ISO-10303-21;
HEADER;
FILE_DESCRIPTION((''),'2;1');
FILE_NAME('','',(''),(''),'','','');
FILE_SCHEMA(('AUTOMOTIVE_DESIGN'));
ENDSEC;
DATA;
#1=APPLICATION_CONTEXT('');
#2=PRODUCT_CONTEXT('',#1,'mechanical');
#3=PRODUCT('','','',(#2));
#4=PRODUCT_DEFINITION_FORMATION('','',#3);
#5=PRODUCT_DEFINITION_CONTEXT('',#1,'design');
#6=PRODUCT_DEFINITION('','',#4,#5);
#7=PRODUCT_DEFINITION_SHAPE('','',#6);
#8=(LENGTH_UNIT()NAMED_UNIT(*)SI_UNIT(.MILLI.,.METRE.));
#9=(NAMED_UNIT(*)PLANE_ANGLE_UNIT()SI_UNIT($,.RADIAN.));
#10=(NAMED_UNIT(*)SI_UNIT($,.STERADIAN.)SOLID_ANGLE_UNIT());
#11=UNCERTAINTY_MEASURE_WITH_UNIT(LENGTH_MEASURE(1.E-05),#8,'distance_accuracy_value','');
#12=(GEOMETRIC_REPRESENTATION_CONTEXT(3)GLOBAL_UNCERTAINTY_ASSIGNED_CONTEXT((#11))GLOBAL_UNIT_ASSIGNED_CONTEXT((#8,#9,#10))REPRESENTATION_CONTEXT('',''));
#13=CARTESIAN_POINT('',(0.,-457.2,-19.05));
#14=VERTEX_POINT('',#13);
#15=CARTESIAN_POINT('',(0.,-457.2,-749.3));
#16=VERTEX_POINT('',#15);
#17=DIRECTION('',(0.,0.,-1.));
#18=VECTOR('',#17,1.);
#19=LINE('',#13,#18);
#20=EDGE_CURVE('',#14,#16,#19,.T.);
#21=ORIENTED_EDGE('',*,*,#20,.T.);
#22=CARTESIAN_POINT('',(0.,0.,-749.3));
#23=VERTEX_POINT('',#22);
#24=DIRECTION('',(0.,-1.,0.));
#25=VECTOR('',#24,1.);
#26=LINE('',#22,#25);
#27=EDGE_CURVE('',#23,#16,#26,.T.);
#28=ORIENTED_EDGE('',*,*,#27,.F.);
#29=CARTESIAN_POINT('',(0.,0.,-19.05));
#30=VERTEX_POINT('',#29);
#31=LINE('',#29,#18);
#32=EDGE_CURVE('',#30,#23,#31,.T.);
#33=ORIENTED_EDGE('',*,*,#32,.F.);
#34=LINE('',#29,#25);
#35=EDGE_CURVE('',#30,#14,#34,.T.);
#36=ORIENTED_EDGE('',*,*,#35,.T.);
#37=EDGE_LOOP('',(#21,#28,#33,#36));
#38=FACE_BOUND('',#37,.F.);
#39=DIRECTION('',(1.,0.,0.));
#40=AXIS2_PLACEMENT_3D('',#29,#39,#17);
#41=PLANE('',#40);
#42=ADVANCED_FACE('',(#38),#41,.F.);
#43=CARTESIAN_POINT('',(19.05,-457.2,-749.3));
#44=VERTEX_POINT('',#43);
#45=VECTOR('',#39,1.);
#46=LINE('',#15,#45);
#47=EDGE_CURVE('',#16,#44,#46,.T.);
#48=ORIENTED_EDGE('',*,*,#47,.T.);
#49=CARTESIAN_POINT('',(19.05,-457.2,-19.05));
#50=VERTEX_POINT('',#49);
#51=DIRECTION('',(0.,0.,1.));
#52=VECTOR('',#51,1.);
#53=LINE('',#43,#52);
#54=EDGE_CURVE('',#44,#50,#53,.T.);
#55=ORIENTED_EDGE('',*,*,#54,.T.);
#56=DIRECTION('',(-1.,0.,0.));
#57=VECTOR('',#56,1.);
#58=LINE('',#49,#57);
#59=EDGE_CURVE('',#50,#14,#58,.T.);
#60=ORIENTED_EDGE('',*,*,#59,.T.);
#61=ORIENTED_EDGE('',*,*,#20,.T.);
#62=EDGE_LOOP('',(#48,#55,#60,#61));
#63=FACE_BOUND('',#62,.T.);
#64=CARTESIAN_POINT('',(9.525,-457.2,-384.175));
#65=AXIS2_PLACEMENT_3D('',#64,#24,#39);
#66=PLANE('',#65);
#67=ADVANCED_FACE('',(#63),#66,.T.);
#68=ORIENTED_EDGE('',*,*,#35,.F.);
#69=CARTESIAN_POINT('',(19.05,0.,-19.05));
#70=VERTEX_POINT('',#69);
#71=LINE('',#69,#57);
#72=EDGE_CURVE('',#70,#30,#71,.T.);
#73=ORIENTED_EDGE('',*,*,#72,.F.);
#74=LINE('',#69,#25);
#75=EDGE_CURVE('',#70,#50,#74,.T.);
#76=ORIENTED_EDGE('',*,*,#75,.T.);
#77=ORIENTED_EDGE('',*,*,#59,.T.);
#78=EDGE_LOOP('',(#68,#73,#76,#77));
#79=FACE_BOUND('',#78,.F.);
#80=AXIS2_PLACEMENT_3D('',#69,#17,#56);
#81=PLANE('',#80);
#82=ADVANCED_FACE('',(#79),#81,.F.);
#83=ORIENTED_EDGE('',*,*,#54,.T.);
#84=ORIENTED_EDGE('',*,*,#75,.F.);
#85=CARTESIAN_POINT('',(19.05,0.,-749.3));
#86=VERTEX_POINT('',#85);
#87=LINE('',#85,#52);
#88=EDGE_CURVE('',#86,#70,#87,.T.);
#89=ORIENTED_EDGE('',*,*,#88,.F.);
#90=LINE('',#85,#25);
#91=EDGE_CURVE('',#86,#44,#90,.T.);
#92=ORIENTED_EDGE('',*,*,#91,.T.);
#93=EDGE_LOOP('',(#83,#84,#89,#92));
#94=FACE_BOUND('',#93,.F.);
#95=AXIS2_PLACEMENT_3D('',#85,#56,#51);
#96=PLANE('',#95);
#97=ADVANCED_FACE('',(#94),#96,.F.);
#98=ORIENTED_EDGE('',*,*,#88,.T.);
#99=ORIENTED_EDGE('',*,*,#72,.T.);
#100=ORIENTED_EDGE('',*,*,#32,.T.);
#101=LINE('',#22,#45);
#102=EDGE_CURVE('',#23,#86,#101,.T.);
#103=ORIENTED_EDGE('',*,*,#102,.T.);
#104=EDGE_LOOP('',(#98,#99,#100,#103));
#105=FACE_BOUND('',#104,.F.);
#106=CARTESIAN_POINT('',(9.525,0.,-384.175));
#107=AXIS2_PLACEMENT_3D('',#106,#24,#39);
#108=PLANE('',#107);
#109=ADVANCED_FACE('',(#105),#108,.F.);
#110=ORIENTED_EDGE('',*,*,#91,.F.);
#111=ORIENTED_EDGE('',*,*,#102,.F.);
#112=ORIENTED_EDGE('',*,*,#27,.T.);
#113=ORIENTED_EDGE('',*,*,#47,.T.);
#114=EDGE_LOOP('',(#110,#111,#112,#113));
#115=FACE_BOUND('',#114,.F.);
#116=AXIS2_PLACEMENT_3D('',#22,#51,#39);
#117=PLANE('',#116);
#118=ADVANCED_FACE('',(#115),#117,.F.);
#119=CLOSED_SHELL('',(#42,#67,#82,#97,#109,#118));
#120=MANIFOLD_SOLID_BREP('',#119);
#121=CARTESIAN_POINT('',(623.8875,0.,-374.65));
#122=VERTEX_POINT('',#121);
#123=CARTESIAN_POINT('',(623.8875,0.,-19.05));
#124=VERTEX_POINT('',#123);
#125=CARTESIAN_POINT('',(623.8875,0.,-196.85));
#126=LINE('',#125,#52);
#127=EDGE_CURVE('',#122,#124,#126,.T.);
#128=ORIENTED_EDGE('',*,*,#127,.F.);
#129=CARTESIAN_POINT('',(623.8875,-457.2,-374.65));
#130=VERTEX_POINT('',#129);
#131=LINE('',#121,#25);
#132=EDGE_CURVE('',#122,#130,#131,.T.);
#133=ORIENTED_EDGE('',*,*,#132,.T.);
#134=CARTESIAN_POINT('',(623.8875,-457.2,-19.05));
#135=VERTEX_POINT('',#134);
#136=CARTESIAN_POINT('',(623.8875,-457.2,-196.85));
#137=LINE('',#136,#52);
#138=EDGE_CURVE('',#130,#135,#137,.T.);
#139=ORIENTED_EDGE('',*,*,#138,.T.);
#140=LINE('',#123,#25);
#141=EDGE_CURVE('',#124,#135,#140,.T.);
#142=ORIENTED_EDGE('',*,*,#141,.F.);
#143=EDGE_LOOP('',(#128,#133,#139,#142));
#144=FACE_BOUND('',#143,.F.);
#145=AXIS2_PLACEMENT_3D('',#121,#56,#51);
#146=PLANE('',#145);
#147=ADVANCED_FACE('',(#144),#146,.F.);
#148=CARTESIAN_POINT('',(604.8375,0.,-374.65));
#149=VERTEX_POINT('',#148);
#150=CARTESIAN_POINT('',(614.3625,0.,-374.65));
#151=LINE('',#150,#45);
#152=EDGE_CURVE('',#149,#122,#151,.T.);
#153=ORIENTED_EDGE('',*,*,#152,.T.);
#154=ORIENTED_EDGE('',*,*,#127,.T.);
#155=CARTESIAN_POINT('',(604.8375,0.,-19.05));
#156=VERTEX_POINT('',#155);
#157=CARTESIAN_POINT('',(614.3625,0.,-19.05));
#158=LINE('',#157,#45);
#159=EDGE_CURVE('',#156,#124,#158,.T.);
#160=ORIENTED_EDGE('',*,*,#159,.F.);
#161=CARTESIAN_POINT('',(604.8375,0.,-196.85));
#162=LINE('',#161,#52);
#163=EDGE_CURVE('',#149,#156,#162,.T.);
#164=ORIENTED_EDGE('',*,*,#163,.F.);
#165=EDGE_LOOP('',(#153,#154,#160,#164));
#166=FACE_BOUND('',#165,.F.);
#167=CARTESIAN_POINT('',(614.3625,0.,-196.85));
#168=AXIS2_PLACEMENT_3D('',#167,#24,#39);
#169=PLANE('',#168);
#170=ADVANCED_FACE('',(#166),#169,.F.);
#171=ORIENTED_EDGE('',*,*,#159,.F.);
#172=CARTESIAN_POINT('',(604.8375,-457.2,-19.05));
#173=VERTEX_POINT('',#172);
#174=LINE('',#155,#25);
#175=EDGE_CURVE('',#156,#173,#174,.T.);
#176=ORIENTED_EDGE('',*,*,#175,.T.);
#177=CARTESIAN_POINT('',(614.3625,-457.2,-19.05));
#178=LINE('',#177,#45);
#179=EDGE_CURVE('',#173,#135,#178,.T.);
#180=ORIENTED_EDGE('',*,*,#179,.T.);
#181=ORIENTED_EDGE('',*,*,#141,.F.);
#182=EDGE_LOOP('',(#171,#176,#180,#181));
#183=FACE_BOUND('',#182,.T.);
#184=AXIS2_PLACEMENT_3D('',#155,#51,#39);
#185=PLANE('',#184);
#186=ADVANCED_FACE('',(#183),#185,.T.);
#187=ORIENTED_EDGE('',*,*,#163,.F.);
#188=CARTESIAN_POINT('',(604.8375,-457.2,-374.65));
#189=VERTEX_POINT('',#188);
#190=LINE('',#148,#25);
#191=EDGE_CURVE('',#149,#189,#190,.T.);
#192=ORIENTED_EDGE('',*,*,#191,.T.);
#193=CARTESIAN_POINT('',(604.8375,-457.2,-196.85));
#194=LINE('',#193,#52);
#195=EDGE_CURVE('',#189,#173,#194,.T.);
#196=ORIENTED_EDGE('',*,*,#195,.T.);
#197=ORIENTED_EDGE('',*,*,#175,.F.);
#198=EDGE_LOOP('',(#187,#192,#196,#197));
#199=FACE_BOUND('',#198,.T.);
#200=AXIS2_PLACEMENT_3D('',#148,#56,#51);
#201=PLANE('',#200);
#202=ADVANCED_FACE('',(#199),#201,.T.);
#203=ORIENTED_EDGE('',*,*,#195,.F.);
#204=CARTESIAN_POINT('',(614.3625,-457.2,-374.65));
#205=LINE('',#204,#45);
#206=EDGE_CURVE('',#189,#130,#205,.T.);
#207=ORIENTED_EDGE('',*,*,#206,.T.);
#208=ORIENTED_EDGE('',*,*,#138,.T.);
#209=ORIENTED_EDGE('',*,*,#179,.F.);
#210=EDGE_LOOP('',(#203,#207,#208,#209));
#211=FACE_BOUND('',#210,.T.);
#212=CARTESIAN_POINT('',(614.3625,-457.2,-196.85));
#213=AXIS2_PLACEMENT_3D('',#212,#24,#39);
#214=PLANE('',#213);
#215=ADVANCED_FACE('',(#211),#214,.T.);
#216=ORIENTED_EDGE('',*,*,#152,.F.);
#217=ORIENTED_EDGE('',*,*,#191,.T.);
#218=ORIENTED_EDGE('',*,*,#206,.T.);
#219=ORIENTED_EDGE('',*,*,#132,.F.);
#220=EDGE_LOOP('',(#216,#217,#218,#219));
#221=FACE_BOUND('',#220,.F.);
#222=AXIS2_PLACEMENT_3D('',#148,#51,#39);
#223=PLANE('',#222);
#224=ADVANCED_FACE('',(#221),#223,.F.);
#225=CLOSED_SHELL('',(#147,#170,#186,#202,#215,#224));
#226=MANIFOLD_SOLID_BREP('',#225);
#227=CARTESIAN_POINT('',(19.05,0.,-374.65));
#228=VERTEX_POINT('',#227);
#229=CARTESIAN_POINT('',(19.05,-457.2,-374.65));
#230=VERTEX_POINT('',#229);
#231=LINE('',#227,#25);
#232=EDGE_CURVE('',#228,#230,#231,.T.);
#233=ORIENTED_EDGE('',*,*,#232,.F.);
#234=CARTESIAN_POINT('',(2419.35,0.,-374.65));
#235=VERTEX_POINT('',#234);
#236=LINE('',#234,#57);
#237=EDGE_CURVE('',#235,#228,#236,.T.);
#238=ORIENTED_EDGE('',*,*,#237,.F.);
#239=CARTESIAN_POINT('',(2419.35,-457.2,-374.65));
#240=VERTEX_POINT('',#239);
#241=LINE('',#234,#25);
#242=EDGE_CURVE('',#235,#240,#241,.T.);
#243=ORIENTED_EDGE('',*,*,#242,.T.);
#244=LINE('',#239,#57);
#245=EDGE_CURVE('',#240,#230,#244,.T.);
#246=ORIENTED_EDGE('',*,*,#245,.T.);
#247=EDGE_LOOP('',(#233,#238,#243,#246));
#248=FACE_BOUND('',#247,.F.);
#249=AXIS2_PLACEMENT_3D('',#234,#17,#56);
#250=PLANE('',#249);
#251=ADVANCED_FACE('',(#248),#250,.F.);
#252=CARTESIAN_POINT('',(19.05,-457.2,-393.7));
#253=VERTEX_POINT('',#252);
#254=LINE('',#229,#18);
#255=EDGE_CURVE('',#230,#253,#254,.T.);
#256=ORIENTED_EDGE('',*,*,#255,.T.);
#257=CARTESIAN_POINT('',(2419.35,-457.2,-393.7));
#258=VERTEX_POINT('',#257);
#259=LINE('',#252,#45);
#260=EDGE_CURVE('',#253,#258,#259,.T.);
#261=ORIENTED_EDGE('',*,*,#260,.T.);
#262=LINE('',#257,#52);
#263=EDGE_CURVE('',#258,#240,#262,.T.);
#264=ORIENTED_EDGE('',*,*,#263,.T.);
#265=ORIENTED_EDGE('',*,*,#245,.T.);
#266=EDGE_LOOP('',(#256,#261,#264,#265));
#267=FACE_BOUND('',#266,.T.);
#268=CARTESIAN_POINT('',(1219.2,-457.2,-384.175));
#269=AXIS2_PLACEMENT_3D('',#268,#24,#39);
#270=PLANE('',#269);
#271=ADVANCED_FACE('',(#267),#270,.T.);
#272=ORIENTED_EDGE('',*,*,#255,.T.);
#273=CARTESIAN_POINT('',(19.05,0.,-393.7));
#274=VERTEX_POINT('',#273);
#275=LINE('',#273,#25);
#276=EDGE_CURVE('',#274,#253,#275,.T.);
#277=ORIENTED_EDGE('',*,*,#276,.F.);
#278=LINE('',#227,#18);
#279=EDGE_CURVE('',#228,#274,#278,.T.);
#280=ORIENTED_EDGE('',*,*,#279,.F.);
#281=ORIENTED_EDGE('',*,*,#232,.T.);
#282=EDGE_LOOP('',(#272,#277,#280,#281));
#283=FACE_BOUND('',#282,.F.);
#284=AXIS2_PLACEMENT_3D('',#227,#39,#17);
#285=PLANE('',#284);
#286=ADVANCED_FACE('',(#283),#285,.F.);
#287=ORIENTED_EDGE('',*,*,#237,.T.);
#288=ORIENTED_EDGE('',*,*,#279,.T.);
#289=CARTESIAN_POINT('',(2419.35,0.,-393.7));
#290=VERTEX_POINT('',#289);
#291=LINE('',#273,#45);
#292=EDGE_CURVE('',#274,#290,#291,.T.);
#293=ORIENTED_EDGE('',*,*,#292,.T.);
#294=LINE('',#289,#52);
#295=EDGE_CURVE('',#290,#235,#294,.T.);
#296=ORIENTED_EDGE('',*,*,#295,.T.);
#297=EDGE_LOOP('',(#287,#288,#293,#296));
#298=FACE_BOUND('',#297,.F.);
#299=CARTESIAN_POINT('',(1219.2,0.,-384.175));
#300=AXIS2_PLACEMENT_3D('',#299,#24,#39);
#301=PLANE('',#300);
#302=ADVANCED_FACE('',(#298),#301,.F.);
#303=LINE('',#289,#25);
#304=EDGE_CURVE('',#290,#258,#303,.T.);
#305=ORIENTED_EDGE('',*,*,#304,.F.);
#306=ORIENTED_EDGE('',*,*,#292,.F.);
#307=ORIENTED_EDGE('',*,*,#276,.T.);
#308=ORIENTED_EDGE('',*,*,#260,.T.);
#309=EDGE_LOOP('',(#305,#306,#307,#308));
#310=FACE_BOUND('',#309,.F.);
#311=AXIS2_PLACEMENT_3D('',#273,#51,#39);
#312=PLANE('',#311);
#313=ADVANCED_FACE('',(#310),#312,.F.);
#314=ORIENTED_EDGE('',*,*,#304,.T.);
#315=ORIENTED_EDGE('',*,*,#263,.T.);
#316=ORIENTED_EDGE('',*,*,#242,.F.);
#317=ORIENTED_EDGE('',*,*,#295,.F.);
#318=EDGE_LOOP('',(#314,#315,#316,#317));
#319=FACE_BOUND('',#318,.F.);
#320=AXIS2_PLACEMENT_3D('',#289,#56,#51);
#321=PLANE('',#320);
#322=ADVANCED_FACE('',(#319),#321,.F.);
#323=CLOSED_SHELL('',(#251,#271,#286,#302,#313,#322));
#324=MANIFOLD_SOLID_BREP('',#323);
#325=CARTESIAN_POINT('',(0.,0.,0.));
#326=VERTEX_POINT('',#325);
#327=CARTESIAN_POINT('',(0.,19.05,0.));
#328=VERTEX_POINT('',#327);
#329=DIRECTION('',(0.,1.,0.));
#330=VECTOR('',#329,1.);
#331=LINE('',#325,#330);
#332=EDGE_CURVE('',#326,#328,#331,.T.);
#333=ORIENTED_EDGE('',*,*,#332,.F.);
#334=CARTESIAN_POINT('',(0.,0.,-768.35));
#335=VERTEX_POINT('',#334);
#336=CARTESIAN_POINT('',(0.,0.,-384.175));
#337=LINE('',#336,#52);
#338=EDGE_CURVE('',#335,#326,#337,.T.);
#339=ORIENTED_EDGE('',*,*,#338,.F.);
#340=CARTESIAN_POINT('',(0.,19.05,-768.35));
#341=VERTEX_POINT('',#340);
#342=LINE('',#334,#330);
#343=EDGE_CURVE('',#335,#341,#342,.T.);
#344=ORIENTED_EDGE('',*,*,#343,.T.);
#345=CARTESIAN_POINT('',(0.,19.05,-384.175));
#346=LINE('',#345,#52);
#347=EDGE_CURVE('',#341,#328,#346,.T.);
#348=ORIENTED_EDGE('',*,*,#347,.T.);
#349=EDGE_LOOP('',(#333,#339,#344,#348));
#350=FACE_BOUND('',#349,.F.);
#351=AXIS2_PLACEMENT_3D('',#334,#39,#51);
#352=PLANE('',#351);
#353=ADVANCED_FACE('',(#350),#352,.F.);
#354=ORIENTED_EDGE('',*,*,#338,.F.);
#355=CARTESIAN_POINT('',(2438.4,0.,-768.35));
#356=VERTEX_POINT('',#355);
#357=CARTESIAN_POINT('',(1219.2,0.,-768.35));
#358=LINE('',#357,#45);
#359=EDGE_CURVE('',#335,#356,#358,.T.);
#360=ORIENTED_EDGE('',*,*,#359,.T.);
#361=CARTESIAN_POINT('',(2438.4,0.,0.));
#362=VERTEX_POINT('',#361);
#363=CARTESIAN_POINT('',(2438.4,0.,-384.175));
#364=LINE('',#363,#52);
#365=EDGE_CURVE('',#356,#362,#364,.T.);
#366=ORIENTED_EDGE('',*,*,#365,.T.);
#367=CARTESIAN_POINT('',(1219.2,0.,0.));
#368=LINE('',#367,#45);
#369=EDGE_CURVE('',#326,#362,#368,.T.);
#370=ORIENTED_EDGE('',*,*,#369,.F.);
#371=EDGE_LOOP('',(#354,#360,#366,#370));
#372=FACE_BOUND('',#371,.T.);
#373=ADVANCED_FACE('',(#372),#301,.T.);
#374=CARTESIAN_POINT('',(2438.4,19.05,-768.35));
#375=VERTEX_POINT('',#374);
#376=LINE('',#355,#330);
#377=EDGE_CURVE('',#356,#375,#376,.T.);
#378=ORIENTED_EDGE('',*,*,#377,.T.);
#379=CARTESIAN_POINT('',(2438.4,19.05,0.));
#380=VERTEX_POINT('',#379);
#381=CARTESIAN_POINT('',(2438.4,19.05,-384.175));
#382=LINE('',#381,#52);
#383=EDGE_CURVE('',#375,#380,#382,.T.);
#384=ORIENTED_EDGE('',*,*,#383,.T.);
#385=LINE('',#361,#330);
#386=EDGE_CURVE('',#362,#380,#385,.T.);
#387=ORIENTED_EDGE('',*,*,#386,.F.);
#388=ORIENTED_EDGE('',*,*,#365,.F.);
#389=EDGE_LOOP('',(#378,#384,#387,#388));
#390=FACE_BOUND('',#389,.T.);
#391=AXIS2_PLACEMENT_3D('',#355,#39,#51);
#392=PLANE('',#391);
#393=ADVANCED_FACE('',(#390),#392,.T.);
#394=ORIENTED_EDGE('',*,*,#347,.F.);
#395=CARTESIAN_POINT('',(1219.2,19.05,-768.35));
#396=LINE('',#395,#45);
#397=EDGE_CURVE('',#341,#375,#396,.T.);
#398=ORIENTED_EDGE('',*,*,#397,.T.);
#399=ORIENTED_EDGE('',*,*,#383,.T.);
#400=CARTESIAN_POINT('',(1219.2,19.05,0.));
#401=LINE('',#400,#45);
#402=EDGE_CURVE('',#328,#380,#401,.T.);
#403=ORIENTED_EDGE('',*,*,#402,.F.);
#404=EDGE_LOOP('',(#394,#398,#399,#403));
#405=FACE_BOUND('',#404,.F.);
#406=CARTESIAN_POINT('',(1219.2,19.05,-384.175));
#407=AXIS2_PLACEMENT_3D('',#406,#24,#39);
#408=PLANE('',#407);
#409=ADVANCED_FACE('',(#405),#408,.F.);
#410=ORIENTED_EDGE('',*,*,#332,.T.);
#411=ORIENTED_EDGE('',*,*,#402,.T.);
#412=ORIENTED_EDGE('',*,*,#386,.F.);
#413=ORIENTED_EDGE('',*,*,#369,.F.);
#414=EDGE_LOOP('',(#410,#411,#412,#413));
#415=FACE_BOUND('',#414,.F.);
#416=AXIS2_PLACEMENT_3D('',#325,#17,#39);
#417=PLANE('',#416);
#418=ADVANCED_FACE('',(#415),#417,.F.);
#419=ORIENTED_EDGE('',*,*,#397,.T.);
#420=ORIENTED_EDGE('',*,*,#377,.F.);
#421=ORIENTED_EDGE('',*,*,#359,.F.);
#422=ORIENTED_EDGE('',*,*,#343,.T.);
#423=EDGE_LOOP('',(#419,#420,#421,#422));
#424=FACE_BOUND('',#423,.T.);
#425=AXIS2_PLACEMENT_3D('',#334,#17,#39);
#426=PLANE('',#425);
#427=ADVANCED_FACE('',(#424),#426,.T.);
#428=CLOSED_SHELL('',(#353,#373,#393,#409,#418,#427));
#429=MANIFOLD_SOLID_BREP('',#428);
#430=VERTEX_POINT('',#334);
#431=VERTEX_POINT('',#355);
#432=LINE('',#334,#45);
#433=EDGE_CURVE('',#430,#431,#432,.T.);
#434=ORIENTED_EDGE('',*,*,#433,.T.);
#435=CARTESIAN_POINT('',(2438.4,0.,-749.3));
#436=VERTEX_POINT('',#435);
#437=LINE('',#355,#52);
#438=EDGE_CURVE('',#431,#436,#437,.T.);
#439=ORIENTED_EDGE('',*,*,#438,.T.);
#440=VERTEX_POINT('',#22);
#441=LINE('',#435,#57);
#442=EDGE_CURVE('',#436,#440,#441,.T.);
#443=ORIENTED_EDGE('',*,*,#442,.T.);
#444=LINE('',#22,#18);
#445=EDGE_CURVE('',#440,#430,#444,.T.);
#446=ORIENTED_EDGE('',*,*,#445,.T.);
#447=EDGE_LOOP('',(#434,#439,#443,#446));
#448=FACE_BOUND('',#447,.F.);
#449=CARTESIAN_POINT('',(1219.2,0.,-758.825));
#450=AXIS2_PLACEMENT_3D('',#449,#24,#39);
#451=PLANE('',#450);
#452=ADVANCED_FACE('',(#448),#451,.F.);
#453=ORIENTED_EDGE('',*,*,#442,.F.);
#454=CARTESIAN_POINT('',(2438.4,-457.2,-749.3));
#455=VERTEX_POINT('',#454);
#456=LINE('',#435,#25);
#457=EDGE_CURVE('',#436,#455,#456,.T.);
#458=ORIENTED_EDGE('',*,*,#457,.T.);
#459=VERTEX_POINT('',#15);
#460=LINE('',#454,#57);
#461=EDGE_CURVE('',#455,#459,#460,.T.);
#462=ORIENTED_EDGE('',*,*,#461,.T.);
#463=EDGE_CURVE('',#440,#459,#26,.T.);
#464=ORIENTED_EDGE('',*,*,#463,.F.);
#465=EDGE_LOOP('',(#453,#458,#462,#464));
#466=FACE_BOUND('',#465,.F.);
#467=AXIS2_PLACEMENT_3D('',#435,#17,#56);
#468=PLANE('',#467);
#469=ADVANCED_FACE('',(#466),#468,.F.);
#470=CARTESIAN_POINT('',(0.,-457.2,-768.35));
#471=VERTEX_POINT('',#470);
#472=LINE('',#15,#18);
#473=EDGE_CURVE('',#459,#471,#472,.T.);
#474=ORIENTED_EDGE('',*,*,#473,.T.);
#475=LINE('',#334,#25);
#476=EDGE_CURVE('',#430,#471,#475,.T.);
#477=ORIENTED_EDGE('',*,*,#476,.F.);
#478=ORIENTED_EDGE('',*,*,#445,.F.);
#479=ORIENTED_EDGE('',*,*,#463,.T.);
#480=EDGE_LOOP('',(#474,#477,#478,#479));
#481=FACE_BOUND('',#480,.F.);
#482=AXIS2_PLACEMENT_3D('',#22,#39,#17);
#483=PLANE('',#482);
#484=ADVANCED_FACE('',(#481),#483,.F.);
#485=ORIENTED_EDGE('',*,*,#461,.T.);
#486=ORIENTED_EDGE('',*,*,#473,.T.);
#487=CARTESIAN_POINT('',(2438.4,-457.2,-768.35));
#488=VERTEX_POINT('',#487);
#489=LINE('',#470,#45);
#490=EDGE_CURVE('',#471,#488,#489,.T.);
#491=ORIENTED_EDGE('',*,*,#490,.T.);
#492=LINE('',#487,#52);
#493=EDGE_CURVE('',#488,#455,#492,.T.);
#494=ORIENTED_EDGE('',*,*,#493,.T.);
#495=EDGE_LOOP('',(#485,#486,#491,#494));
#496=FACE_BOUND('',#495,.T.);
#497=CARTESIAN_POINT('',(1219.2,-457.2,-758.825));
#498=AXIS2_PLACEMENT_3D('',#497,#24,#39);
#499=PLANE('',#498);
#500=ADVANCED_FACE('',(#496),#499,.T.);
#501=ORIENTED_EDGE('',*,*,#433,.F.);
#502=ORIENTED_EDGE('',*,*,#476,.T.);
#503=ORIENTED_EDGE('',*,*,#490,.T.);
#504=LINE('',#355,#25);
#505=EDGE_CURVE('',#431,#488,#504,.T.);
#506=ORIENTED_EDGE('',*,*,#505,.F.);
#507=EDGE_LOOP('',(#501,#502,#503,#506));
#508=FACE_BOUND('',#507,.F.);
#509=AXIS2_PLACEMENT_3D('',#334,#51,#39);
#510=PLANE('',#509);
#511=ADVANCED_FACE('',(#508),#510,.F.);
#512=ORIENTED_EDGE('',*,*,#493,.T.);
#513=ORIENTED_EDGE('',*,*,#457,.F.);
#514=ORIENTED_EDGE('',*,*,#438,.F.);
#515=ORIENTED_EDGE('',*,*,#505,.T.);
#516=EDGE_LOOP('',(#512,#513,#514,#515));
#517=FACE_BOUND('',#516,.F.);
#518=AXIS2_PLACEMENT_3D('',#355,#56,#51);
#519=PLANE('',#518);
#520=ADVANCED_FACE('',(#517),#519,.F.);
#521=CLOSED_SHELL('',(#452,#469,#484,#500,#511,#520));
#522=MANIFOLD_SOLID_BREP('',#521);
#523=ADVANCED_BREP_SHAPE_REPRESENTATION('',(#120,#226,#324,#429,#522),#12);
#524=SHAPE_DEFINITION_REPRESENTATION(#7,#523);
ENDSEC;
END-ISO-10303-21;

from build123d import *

# Parameters (mm, degrees)
F1_DEPTH = 457.2
F2_DEPTH = 457.2
F3_DEPTH = 457.2
F0_W     = 19.05
F0_H     = 355.6
F4_DEPTH = 457.2
F5_W     = 2438.4
F5_H     = 768.35
F6_DEPTH = 19.05


with BuildPart() as f1:
    # F0 (on Front) → F1 (new body)
    with BuildSketch(Plane.XZ):
        Polygon((19.05, -749.3), (0, -749.3), (0, -768.35), (2438.4, -768.35), (2438.4, -749.3), (2419.35, -749.3), (1631.95, -749.3), (1612.9, -749.3), (825.5, -749.3), (806.45, -749.3), align=None)
    extrude(amount=F1_DEPTH)


with BuildPart() as f2:
    # F0 (on Front) → F2 (new body)
    with BuildSketch(Plane.XZ):
        Polygon((19.05, -19.05), (0, -19.05), (0, -749.3), (19.05, -749.3), (19.05, -393.7), (19.05, -374.65), align=None)
    extrude(amount=F2_DEPTH)


with BuildPart() as f3:
    # F0 (on Front) → F3 (new body)
    with BuildSketch(Plane.XZ):
        Polygon((604.8375, -374.65), (19.05, -374.65), (19.05, -393.7), (806.45, -393.7), (825.5, -393.7), (1612.9, -393.7), (1631.95, -393.7), (2419.35, -393.7), (2419.35, -374.65), (1833.5625, -374.65), (1814.5125, -374.65), (1228.725, -374.65), (1209.675, -374.65), (623.8875, -374.65), align=None)
    extrude(amount=F3_DEPTH)


with BuildPart() as f4:
    # F0 (on Front) → F4 (new body)
    with BuildSketch(Plane.XZ):
        with Locations((614.3625, -196.85)):
            Rectangle(F0_W, F0_H)
    extrude(amount=F4_DEPTH)


with BuildPart() as f6:
    # F5 (on face) → F6 (new body)
    with BuildSketch(Plane.XZ):
        with Locations((1219.2, -384.175)):
            Rectangle(F5_W, F5_H)
    extrude(amount=-F6_DEPTH)


solid = Compound([f1.part, f2.part, f3.part, f4.part, f6.part])
